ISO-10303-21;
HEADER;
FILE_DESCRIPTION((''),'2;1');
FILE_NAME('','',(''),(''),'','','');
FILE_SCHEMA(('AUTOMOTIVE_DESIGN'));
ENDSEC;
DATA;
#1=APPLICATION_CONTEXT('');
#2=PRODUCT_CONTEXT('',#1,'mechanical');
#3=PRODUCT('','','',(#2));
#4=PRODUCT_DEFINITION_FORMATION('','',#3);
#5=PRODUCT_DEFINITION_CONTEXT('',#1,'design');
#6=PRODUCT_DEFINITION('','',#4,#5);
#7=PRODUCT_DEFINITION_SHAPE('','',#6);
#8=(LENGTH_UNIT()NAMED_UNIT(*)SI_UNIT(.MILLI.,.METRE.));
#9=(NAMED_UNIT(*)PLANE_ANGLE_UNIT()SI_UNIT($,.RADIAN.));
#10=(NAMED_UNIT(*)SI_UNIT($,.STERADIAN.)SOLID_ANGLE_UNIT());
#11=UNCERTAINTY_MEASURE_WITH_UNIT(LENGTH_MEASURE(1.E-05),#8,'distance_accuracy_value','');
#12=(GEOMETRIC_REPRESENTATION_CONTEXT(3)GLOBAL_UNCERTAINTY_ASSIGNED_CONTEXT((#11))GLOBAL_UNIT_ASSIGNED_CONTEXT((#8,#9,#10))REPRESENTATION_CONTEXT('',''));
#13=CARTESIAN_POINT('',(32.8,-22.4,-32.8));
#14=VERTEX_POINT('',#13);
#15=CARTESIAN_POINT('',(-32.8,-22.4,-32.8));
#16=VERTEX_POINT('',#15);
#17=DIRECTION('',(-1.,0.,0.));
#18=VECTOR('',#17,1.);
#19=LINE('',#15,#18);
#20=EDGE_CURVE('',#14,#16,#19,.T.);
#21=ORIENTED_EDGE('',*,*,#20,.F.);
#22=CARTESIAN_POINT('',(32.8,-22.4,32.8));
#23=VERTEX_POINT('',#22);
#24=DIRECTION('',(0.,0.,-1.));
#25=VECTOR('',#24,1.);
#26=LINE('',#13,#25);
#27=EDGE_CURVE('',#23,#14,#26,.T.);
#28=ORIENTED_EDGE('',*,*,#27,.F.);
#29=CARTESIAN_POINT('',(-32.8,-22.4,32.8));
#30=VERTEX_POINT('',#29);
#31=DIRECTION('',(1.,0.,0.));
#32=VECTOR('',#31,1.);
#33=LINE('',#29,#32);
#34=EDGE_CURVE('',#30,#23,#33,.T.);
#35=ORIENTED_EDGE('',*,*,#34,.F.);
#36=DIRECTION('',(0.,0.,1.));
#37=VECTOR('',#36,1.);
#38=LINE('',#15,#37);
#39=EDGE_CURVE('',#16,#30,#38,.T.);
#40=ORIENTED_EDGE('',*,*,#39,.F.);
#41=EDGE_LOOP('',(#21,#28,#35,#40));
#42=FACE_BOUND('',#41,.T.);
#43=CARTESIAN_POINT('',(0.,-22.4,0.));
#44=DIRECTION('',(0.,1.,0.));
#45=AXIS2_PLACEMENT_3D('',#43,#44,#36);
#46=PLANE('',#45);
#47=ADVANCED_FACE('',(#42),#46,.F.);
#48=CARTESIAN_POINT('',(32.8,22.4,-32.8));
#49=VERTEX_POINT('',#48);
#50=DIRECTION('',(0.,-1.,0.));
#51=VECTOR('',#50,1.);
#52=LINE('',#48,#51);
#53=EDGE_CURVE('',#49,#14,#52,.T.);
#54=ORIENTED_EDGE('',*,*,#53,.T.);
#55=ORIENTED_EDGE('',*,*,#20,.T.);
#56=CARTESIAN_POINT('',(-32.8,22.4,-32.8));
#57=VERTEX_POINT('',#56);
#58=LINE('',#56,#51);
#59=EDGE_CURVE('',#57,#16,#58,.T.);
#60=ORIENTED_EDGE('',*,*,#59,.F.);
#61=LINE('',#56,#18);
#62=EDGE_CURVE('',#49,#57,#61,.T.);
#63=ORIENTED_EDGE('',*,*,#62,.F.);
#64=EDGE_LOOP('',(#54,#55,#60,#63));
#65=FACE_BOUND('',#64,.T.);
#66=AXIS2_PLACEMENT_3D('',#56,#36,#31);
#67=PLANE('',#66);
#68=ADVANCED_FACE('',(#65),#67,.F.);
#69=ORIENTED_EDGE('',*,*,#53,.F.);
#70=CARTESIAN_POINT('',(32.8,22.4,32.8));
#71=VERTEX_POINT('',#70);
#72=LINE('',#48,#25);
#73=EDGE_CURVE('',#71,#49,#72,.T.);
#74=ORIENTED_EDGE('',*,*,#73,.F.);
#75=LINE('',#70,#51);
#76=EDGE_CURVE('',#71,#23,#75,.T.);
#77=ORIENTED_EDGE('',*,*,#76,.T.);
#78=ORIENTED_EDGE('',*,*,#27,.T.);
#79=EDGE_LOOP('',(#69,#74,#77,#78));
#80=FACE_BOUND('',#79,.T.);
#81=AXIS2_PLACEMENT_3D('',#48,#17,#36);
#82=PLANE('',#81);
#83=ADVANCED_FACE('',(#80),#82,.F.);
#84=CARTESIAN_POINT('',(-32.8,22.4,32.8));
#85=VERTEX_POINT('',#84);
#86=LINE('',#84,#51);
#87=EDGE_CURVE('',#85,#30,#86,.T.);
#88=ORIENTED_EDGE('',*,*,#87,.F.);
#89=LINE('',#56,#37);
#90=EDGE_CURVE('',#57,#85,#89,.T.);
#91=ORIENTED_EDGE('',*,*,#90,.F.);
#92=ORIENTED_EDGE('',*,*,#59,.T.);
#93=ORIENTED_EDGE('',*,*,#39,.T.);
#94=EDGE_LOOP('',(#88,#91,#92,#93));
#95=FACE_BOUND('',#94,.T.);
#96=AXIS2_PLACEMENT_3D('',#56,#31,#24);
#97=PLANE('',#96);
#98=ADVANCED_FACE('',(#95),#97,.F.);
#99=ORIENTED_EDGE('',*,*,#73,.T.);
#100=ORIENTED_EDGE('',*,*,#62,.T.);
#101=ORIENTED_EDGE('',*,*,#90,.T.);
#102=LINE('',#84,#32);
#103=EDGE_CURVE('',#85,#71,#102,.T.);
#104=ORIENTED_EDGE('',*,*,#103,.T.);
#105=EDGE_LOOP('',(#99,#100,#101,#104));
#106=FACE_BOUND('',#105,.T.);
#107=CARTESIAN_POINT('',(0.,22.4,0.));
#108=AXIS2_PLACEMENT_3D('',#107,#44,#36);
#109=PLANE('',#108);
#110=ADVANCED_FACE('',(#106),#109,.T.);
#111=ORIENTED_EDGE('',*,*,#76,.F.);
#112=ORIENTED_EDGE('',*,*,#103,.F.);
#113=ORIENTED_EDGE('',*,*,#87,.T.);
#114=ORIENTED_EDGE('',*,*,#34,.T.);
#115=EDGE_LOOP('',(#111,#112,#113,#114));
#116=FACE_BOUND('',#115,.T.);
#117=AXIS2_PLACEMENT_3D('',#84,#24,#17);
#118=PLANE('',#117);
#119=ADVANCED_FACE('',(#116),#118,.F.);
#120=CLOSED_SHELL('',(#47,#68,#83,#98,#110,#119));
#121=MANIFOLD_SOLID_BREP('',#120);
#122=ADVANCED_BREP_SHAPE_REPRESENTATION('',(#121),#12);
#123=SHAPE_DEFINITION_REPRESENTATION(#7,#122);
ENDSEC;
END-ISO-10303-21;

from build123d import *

# Parameters (mm, degrees)
SKETCH1_W           = 65.6
SKETCH1_H           = 65.6
BOSS_EXTRUDE1_DEPTH = 22.4


with BuildPart() as part:
    # Sketch1 → Boss-Extrude1 (new body, symmetric)
    with BuildSketch(Plane(origin=(0, 0, 0), x_dir=(1, 0, 0), z_dir=(0, 1, 0))):
        Rectangle(SKETCH1_W, SKETCH1_H)
    extrude(amount=BOSS_EXTRUDE1_DEPTH, both=True)


solid = part.part
